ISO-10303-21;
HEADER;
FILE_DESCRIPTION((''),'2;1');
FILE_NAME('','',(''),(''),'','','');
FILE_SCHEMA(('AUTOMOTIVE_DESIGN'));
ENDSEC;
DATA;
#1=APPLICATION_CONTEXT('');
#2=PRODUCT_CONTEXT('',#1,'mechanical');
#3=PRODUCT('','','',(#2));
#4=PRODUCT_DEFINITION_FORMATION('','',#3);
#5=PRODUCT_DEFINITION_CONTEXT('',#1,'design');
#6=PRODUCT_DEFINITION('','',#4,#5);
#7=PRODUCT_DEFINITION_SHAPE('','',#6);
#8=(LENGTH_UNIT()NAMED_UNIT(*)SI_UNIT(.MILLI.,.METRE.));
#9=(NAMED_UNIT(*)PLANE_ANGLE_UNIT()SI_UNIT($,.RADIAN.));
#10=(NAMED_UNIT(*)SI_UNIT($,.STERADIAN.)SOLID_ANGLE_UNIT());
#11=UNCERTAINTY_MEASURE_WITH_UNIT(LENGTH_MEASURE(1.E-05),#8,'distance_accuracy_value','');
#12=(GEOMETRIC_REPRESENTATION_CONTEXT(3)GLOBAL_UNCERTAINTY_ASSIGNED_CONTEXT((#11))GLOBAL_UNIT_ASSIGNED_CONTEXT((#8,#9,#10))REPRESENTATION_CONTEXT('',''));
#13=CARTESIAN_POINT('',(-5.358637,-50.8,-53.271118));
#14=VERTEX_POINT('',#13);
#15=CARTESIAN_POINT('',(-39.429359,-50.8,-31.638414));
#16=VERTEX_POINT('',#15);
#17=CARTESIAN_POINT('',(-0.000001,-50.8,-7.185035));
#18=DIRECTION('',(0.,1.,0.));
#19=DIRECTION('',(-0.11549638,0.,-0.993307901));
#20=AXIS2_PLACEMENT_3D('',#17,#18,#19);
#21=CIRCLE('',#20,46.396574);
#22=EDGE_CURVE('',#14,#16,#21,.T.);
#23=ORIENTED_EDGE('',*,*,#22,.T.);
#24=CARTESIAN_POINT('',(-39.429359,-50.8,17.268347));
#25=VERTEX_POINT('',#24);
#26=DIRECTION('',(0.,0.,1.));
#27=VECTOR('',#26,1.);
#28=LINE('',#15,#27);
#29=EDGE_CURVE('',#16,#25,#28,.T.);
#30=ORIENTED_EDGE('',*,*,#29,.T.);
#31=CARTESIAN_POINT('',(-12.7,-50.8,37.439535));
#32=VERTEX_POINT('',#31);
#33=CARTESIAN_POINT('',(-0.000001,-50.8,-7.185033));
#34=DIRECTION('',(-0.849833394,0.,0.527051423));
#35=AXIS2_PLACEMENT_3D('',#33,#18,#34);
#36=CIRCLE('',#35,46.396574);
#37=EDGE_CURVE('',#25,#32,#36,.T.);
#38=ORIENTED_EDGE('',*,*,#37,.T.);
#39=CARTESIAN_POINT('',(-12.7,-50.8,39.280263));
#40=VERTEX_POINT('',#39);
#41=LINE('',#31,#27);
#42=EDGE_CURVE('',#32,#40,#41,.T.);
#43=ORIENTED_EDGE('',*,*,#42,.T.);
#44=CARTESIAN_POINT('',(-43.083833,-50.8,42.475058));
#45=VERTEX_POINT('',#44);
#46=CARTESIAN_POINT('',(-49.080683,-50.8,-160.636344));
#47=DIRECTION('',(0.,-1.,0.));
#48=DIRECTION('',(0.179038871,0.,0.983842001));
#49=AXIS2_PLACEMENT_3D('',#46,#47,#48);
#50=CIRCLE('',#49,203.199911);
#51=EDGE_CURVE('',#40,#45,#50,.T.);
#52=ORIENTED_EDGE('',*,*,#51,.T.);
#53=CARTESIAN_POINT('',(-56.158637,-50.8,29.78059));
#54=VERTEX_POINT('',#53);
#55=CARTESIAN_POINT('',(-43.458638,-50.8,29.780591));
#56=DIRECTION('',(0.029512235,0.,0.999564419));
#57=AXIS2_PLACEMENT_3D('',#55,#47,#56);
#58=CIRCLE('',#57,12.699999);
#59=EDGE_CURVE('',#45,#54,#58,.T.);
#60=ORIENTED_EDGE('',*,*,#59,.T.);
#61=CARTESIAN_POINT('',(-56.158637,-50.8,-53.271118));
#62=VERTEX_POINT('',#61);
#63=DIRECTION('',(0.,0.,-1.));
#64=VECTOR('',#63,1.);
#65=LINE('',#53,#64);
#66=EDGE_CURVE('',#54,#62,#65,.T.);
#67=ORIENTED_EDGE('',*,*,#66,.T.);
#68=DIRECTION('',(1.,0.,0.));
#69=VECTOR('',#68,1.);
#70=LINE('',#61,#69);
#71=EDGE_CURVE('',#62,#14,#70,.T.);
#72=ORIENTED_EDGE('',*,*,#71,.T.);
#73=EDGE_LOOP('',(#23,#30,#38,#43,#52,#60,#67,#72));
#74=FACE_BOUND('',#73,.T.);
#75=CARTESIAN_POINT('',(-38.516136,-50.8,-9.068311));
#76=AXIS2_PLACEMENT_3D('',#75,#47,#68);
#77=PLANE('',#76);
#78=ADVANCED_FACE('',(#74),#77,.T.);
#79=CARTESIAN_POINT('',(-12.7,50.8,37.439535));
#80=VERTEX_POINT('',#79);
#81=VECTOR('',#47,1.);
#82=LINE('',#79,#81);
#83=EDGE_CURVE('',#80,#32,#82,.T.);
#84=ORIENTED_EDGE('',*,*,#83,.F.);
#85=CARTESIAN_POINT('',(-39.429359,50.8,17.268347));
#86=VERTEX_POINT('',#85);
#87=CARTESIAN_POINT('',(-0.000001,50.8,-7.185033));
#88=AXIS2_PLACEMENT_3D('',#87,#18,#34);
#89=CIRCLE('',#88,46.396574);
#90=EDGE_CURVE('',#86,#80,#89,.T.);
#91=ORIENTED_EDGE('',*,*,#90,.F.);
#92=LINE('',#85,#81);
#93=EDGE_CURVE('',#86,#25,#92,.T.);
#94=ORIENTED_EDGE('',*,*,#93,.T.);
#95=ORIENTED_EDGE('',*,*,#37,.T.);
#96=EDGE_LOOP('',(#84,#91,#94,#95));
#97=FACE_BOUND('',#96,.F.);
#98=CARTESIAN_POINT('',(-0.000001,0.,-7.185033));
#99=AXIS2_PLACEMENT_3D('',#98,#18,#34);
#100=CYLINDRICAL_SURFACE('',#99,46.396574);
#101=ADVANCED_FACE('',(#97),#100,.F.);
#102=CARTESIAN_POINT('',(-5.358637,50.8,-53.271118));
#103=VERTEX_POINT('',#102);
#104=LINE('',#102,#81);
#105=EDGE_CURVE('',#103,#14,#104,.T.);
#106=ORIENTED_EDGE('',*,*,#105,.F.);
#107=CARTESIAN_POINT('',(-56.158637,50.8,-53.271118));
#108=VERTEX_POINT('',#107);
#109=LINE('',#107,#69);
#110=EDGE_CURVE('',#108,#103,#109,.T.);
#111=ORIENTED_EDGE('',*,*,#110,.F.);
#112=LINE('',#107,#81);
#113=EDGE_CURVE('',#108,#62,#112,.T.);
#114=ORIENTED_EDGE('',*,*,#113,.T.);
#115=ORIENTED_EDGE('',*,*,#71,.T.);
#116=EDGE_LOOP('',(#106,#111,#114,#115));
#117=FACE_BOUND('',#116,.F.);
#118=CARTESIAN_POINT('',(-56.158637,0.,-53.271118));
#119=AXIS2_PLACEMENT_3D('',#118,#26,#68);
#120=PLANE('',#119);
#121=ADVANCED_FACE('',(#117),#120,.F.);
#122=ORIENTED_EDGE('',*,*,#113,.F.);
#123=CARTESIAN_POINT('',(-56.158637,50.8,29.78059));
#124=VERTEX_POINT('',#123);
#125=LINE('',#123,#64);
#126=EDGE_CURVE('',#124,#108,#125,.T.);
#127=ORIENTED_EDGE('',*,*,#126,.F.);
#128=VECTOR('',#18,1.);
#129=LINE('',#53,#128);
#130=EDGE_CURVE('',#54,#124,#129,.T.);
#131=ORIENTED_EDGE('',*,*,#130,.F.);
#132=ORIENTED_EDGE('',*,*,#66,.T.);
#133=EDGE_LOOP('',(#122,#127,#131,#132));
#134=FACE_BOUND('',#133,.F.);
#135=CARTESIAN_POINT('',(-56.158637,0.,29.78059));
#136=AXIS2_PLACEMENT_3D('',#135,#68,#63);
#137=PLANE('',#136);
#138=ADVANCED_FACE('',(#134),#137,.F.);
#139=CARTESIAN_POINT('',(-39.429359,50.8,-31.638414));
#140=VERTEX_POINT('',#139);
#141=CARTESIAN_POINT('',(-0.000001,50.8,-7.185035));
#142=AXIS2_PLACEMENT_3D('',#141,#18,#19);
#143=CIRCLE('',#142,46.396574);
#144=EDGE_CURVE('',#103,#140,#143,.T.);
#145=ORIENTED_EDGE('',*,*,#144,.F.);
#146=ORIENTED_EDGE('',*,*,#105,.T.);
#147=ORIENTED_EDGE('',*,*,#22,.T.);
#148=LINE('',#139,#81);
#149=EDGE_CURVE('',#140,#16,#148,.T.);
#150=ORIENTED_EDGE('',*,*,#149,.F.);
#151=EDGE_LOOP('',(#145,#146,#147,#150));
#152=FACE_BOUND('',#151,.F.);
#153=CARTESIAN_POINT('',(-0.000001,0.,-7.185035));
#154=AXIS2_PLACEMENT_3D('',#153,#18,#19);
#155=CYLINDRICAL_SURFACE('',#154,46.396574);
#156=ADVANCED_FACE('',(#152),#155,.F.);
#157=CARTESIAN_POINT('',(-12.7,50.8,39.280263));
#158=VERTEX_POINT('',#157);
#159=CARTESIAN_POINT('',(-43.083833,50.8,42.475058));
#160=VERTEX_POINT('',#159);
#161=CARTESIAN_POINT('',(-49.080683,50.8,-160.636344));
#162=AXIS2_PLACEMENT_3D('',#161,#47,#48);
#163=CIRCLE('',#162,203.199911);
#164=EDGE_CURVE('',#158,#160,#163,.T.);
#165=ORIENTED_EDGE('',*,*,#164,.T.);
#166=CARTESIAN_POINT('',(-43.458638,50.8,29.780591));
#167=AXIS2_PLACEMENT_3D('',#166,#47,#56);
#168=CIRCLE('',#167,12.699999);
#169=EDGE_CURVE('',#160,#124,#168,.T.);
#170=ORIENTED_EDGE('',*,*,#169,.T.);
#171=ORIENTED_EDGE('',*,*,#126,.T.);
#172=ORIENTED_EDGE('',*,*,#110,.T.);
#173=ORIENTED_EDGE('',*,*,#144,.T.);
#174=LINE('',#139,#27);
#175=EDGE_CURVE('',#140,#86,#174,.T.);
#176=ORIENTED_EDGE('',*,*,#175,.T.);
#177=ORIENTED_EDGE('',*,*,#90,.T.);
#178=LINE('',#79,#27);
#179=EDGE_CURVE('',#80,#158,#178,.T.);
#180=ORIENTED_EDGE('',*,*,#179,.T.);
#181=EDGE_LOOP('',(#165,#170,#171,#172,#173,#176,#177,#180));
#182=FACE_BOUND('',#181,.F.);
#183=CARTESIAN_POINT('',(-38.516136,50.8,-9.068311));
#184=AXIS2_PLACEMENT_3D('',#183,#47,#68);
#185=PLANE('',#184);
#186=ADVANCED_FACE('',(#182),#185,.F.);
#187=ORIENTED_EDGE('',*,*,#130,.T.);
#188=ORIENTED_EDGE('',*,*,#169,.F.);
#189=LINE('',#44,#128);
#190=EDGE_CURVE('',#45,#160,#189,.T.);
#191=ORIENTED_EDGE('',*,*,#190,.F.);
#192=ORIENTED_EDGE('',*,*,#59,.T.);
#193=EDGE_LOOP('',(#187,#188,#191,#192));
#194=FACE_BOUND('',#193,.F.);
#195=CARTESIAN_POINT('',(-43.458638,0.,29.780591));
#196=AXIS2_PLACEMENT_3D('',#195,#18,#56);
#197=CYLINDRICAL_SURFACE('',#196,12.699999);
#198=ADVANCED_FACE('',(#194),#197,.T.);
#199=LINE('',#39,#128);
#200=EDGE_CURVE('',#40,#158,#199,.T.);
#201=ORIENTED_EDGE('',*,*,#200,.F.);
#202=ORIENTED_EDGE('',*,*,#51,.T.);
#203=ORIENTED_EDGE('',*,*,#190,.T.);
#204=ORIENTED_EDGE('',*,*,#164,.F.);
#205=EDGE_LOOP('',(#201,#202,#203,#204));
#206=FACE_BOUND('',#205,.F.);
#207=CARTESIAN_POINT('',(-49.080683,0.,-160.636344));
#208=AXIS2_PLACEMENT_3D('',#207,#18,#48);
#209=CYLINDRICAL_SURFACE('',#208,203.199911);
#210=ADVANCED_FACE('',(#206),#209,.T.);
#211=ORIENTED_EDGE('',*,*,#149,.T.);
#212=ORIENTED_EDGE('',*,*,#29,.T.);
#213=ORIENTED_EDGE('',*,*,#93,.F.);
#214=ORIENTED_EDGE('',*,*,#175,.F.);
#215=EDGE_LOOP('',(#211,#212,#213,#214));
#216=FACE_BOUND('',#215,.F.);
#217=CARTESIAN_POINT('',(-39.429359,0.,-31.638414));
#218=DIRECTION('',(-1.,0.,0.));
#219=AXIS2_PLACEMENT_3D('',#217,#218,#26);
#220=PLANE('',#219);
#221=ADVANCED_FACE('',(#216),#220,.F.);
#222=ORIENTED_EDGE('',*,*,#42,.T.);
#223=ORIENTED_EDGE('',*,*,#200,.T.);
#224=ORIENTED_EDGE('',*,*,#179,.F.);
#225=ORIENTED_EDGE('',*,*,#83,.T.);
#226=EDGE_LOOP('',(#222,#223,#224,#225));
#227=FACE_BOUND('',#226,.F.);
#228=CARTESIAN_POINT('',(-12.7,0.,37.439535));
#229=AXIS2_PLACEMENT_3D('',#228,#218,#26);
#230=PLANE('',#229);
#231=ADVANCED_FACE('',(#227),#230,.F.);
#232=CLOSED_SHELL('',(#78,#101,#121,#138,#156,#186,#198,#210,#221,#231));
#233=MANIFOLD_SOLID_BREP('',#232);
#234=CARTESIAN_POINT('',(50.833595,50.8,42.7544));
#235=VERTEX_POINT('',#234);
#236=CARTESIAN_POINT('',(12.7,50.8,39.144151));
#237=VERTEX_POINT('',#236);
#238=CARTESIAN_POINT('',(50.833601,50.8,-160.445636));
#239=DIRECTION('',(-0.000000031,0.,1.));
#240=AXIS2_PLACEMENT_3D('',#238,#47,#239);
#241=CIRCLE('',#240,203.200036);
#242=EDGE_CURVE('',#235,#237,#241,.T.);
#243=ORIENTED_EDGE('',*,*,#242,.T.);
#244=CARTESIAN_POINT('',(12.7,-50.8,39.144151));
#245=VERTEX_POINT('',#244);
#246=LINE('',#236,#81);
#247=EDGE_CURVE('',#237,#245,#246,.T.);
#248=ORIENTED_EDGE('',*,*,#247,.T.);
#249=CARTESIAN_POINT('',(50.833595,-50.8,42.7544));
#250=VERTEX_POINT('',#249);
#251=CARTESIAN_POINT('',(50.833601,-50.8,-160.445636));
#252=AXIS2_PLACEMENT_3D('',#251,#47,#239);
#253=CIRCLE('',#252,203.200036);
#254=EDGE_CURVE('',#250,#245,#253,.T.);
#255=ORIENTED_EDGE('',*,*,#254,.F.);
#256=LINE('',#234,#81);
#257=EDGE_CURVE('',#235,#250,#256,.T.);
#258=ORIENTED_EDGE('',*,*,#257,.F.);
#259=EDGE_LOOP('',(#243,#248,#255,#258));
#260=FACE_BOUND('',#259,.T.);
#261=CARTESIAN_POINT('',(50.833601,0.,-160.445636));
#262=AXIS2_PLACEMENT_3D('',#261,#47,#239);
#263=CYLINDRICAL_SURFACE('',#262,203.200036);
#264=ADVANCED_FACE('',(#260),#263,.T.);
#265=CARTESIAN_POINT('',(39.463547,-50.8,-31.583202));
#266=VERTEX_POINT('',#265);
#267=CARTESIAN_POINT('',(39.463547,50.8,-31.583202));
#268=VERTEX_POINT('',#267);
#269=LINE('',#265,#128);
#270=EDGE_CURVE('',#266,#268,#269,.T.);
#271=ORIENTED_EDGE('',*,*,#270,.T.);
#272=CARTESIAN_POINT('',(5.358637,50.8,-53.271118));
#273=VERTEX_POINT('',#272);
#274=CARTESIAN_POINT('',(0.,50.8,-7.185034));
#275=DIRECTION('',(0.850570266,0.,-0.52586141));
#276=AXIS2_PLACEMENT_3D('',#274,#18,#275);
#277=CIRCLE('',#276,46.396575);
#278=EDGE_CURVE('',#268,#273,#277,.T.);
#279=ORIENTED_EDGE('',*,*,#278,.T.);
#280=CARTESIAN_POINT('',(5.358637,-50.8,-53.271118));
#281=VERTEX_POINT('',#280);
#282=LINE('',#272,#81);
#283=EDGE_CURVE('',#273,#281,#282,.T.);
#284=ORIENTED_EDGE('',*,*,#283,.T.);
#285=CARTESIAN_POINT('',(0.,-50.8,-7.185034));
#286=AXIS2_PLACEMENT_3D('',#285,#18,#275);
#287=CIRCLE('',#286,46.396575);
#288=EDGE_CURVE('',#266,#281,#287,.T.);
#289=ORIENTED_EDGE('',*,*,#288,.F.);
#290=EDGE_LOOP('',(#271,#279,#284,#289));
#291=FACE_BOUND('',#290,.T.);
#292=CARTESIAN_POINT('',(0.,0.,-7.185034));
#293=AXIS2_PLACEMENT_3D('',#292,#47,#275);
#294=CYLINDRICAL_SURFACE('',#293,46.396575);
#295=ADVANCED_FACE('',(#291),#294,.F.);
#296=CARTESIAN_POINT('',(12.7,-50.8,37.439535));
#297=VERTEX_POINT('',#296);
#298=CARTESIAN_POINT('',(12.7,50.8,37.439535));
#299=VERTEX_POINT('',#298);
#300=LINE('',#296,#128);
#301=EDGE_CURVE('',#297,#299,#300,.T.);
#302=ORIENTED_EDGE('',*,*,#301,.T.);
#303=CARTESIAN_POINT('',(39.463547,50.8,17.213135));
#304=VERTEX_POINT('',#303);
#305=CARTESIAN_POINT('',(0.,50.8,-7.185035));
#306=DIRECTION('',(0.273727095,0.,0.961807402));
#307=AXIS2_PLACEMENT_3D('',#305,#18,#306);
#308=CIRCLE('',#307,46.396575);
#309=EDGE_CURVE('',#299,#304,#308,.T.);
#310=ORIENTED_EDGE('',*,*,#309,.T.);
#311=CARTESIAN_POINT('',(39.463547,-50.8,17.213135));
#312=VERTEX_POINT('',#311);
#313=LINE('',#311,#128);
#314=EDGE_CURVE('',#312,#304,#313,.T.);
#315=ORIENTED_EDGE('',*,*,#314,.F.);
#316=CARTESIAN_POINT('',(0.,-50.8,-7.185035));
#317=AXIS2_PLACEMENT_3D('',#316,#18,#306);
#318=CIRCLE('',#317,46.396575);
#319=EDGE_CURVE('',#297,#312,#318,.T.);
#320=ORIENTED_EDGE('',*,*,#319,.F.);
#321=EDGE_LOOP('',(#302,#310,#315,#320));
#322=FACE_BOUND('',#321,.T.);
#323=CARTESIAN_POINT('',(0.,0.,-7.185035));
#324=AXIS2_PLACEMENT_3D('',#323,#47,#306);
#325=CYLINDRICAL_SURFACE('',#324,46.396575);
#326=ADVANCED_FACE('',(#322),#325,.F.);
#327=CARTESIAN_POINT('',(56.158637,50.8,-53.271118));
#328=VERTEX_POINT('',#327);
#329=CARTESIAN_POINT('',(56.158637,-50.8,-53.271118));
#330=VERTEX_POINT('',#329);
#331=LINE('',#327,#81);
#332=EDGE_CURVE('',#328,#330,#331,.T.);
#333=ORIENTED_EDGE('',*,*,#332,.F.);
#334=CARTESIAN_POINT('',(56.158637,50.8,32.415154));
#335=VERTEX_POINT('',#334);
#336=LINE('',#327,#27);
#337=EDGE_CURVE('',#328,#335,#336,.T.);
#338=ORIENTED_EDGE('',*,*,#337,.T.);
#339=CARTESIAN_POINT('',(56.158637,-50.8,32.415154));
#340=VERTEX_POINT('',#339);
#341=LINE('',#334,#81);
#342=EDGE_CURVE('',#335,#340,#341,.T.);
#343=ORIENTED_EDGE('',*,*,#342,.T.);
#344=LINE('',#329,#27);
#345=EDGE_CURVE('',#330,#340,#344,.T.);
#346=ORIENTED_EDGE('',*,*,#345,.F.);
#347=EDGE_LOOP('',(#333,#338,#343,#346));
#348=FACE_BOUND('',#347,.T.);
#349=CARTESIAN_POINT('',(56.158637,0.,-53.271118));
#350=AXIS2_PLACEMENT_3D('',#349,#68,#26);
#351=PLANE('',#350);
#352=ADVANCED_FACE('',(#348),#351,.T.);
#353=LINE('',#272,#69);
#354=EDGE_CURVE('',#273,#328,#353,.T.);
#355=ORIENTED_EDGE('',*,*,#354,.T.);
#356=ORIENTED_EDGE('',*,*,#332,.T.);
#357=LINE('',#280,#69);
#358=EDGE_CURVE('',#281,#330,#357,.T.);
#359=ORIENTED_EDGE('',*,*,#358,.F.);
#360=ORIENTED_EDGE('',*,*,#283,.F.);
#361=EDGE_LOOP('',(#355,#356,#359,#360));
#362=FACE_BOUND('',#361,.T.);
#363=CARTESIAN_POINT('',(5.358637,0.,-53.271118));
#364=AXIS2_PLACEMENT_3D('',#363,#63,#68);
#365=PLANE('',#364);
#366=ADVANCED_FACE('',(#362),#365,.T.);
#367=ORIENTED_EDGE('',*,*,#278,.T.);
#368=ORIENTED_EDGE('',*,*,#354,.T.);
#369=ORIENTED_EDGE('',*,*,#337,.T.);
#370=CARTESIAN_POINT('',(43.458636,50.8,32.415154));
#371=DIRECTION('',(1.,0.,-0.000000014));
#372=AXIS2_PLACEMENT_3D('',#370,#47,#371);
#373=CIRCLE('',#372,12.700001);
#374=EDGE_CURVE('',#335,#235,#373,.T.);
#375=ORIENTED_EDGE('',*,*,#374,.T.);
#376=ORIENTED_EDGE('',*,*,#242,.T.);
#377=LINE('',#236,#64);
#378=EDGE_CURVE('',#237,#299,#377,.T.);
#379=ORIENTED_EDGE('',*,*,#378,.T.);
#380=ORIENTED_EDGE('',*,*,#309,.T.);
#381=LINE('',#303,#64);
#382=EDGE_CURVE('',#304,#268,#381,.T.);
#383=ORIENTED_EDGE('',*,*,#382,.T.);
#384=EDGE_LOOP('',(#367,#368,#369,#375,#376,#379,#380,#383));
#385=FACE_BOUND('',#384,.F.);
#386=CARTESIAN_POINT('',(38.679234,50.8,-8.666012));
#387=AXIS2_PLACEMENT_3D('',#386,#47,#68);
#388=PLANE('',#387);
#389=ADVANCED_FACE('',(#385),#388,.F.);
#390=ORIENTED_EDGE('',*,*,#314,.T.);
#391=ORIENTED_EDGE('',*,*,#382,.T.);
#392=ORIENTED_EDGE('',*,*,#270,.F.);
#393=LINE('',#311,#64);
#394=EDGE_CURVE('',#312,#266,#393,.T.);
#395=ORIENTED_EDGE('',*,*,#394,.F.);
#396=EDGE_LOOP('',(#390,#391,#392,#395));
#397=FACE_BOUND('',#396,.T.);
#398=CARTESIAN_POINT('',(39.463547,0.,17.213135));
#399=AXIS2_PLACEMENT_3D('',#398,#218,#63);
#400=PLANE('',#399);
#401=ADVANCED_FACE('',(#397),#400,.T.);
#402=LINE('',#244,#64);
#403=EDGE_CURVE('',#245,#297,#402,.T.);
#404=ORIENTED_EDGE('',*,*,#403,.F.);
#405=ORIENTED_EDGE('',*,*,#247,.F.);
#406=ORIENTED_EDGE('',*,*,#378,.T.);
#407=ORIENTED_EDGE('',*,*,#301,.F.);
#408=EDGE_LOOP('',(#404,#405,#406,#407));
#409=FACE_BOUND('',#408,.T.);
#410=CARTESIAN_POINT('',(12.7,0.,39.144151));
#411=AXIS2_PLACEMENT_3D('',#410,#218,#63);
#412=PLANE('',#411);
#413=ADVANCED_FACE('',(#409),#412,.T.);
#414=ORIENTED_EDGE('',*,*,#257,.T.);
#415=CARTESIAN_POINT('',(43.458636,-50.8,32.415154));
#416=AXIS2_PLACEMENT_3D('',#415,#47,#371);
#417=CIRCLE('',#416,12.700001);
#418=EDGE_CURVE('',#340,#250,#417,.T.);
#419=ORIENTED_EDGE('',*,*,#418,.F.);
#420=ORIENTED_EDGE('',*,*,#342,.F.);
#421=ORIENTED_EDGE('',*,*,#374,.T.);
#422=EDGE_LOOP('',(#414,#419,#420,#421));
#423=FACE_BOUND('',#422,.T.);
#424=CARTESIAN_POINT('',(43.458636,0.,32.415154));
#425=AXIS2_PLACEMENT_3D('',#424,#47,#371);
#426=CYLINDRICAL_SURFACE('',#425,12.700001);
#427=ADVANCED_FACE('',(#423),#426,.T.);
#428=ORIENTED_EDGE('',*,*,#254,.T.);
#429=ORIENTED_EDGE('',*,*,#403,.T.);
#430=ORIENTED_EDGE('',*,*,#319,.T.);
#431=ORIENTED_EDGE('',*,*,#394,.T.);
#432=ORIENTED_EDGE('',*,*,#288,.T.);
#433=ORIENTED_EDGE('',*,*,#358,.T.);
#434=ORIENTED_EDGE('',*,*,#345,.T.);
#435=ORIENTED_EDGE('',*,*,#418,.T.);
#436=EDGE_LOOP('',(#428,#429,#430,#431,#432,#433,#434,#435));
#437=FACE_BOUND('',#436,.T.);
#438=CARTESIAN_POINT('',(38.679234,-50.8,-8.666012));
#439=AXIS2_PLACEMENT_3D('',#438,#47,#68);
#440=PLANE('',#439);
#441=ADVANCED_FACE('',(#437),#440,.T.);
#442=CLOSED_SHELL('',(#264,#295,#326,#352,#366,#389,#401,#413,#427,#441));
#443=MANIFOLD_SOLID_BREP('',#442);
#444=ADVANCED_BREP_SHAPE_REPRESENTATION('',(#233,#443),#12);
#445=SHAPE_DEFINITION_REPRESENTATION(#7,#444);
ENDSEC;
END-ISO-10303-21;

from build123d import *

# Parameters (mm, degrees)
F1_DEPTH = 50.8


with BuildPart() as f1:
    # F0 (on Front) → F1 (new body, symmetric)
    with BuildSketch(Plane.XZ):
        with BuildLine():
            Line((-56.158637, 29.78059), (-56.158637, -53.271118))
            Line((-56.158637, -53.271118), (-5.358637, -53.271118))
            ThreePointArc((-5.358637, -53.271118), (-24.869351, -46.353357), (-39.429359, -31.638414))
            Line((-39.429359, -31.638414), (-39.429359, 17.268347))
            ThreePointArc((-39.429359, 17.268347), (-27.947929, 29.849483), (-12.7, 37.439535))
            Line((-12.7, 37.439535), (-12.7, 39.280263))
            ThreePointArc((-12.7, 39.280263), (-27.831789, 41.4495), (-43.083833, 42.475058))
            ThreePointArc((-43.083833, 42.475058), (-52.305388, 38.892396), (-56.158637, 29.78059))
        make_face()
        with BuildLine():
            ThreePointArc((39.463547, -31.583202), (24.896756, -46.335943), (5.358637, -53.271118))
            Line((5.358637, -53.271118), (56.158637, -53.271118))
            Line((56.158637, -53.271118), (56.158637, 32.415154))
            ThreePointArc((56.158637, 32.415154), (54.749163, 38.230137), (50.833595, 42.7544))
            ThreePointArc((50.833595, 42.7544), (31.681539, 41.849824), (12.7, 39.144151))
            Line((12.7, 39.144151), (12.7, 37.439535))
            ThreePointArc((12.7, 37.439535), (27.97384, 29.829915), (39.463547, 17.213135))
            Line((39.463547, 17.213135), (39.463547, -31.583202))
        make_face()
    extrude(amount=F1_DEPTH, both=True)


solid = f1.part
